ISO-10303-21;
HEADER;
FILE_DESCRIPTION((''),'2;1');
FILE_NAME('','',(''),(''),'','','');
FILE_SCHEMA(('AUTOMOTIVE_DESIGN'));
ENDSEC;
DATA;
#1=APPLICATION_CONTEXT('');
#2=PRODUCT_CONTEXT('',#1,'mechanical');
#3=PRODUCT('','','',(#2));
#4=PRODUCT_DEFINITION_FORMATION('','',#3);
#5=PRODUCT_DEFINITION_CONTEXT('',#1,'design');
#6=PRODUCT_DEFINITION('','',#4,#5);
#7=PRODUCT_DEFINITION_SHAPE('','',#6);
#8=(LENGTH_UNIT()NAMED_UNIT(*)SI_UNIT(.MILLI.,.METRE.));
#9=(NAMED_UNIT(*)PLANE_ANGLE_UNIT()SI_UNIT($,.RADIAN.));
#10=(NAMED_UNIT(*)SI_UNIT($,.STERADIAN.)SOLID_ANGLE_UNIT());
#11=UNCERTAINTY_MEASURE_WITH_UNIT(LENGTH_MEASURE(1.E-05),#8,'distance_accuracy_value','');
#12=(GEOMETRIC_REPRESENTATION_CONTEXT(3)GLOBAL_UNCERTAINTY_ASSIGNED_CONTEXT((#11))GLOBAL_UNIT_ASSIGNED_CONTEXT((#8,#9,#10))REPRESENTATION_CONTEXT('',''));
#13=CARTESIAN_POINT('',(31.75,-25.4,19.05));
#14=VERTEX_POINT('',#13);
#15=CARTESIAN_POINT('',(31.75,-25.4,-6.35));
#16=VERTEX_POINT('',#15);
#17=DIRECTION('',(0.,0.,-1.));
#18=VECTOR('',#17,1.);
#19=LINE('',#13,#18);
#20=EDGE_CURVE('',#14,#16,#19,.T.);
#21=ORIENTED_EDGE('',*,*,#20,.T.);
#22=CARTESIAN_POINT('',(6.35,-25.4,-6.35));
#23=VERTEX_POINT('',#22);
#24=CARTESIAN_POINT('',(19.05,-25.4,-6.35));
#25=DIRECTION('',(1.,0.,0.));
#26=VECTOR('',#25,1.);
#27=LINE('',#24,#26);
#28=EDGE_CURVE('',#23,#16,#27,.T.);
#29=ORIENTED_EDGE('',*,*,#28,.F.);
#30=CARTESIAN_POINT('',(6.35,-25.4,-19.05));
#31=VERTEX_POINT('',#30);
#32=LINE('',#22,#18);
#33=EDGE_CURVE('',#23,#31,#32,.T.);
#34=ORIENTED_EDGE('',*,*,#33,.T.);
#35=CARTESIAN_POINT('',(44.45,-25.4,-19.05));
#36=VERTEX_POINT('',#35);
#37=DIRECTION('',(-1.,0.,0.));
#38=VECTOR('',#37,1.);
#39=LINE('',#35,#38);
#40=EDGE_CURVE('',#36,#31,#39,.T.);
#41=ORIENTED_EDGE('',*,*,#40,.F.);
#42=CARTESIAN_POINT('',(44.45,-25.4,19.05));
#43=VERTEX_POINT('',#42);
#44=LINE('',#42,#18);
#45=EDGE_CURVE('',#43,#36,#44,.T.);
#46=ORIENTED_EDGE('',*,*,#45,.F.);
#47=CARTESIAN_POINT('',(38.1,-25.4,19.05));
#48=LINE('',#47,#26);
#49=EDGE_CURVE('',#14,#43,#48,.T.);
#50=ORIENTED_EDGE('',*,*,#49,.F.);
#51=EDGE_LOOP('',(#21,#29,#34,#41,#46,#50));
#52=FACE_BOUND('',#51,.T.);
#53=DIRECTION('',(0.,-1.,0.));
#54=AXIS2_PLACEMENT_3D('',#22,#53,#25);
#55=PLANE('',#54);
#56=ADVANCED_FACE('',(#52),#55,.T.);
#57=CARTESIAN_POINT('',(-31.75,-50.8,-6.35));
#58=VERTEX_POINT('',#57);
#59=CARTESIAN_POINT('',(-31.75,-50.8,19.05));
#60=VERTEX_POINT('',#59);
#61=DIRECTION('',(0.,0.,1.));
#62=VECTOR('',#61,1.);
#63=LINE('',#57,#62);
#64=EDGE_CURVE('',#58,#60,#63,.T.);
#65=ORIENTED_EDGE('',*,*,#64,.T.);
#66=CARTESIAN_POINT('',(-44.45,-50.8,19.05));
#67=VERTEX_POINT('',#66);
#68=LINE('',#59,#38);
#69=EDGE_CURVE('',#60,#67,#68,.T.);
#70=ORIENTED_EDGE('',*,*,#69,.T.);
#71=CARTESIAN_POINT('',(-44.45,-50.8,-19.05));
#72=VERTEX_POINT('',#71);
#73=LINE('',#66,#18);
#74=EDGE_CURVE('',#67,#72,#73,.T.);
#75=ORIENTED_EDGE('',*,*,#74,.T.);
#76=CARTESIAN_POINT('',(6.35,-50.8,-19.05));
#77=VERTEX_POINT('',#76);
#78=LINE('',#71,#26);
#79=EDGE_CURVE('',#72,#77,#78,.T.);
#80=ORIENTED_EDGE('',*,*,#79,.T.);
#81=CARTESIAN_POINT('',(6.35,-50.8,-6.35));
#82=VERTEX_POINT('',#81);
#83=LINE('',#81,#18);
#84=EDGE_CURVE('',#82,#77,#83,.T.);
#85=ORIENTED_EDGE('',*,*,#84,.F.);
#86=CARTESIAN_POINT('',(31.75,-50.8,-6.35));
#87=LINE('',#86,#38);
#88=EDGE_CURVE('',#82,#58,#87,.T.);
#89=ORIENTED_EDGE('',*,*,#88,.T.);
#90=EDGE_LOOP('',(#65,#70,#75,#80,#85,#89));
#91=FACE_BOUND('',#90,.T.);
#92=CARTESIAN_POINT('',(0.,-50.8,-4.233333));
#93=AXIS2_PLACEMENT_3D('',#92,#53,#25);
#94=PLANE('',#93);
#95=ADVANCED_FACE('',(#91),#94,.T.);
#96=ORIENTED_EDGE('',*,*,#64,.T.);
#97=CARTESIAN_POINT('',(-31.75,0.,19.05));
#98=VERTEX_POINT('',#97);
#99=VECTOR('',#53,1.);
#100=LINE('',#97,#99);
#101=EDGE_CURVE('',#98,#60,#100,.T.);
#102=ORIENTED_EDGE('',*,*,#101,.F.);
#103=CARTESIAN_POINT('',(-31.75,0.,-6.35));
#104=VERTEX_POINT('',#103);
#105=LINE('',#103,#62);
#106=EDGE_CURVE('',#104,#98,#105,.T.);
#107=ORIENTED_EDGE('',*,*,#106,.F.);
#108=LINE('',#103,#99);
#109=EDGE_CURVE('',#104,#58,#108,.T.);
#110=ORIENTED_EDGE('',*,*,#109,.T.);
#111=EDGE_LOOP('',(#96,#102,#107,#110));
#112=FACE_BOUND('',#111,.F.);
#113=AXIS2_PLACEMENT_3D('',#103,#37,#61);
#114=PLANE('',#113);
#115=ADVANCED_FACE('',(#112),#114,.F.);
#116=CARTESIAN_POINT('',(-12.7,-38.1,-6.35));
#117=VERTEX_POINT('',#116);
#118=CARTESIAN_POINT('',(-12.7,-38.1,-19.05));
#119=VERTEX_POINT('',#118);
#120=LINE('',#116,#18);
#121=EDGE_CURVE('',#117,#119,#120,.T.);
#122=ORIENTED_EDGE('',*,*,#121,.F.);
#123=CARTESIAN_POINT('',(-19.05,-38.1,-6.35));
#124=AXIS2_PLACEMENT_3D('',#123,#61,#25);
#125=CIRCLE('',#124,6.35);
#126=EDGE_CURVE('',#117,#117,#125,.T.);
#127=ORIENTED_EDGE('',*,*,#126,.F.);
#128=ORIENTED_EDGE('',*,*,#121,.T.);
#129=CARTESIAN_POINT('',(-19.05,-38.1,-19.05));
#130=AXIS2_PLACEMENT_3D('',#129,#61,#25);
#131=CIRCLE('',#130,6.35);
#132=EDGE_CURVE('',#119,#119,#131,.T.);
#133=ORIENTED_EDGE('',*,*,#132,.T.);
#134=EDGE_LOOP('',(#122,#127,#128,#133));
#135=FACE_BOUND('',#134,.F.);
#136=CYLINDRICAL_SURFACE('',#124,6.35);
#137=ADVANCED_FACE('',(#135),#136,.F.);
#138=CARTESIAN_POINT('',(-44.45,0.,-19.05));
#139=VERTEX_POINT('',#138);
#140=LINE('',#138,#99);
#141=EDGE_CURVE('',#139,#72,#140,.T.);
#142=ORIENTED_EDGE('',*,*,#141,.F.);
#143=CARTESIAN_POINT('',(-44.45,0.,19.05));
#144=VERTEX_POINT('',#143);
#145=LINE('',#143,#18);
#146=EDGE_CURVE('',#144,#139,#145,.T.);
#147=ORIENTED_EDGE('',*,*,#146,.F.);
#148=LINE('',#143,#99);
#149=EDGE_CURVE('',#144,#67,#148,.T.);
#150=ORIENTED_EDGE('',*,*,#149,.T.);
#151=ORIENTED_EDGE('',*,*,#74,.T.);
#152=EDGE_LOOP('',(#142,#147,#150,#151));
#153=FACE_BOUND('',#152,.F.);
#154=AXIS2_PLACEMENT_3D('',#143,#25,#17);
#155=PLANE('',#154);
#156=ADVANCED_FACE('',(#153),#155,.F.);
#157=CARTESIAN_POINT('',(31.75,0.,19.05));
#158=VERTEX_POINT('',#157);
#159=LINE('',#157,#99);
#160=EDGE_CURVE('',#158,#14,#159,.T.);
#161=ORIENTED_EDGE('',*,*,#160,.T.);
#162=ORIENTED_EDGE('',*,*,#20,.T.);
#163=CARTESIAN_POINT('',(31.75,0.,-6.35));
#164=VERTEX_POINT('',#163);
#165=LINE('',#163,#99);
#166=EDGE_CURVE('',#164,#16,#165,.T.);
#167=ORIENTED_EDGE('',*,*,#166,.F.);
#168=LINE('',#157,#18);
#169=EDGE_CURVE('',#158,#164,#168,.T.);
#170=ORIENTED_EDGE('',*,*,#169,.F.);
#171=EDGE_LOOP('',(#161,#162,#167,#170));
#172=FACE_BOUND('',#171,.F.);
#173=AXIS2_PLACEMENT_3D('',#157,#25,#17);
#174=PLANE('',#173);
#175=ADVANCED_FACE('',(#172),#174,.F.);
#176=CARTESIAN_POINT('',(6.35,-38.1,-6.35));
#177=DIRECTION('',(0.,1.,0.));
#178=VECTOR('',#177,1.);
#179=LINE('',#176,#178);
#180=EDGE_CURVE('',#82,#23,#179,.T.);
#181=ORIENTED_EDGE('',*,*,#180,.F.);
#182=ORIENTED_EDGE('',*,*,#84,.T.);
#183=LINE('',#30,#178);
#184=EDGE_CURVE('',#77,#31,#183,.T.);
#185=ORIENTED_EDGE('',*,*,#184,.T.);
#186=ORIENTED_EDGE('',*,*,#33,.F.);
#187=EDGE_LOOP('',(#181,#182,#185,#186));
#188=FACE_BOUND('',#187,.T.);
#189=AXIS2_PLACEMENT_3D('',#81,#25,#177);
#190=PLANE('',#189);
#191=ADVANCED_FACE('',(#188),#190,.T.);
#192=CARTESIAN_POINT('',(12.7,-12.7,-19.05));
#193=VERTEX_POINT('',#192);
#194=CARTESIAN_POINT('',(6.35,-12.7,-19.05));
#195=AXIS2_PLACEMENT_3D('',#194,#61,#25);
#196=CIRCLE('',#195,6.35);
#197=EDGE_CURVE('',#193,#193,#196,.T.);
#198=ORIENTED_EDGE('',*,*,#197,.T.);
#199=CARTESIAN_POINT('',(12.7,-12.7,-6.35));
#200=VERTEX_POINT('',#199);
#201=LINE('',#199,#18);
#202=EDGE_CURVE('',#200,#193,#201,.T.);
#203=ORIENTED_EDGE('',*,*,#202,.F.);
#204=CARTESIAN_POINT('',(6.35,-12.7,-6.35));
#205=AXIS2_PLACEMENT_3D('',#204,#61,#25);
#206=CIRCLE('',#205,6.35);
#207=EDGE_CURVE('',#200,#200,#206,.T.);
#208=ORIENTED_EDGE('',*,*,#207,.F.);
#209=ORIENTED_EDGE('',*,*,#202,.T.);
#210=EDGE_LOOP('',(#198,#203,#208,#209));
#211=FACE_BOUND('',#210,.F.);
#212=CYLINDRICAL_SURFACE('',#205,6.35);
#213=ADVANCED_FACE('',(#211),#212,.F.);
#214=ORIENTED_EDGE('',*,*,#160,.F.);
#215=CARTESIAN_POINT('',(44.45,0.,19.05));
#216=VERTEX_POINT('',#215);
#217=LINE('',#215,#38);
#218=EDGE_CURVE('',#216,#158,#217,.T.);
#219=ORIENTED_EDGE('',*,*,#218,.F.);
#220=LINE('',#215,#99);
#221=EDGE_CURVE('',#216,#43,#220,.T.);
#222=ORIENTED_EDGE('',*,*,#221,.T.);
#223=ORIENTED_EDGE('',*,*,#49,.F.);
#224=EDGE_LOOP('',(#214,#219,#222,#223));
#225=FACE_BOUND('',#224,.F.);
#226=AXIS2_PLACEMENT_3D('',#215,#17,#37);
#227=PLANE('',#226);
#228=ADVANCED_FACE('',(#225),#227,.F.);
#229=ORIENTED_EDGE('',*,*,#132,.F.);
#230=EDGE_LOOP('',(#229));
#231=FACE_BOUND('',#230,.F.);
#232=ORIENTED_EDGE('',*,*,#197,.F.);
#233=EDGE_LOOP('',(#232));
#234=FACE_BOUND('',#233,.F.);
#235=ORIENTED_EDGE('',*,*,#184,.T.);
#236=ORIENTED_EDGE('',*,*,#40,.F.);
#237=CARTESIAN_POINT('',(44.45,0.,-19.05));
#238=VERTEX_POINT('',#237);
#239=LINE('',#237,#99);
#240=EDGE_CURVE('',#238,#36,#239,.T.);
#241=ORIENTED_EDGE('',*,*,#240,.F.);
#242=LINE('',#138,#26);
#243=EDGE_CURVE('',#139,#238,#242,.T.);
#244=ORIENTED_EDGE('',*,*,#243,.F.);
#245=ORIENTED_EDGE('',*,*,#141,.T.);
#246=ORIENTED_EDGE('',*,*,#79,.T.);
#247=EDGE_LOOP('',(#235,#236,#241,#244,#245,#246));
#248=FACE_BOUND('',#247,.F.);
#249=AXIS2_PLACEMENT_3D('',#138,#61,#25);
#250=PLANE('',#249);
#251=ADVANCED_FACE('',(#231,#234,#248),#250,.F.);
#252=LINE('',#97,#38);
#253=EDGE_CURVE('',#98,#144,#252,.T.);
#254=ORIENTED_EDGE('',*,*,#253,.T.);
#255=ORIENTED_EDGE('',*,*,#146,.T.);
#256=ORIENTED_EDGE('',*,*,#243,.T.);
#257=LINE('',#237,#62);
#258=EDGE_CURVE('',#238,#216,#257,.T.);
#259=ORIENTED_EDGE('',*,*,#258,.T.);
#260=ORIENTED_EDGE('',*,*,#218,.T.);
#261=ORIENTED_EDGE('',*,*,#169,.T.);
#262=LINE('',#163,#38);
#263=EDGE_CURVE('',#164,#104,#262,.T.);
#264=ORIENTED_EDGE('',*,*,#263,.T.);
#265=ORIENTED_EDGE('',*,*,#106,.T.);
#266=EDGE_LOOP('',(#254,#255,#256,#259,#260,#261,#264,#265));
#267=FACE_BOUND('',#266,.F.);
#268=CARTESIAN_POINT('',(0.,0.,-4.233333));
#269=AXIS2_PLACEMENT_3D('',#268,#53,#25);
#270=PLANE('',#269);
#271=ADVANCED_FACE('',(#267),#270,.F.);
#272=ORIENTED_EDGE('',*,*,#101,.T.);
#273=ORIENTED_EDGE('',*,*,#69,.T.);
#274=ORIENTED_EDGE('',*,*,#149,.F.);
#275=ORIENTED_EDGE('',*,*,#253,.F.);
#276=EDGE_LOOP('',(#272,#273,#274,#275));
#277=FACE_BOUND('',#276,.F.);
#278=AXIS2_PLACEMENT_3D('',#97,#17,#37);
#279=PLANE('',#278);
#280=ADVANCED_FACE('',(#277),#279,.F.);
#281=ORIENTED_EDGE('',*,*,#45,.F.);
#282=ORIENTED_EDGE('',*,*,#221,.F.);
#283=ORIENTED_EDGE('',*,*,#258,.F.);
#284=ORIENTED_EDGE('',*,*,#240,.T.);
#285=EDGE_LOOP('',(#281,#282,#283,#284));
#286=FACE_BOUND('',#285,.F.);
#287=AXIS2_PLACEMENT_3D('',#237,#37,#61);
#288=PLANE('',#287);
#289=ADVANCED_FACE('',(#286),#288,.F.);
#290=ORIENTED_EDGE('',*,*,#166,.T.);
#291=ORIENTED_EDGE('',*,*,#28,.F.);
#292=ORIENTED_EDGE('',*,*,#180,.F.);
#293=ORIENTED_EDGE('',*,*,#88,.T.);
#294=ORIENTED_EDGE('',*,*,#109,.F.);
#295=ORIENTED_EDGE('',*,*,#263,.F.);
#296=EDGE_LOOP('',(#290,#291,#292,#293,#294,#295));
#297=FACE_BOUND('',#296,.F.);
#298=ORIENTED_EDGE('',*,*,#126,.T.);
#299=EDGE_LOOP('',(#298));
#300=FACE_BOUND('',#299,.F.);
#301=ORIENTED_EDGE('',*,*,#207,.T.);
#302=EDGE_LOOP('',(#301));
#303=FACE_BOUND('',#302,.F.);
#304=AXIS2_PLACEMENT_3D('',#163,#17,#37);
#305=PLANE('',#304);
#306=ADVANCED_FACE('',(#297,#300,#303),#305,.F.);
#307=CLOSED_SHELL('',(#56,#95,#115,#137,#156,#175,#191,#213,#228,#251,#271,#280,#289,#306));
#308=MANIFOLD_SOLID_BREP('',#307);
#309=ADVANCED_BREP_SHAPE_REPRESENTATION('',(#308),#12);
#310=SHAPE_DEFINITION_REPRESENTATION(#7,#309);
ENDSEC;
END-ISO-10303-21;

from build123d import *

# Parameters (mm, degrees)
F1_DEPTH = 50.8
F2_W     = 25.4
F2_H     = 25.4
F3_DEPTH = 12.701
F4_W     = 12.7
F4_H     = 25.4
F5_DEPTH = 38.101
F6_R     = 6.35
F7_DEPTH = 12.701
F8_R     = 6.35
F9_DEPTH = 12.701


with BuildPart() as f1:
    # F0 (on Front) → F1 (new body)
    with BuildSketch(Plane.XZ):
        Polygon((-31.75, 19.05), (-44.45, 19.05), (-44.45, -19.05), (44.45, -19.05), (44.45, 19.05), (31.75, 19.05), (31.75, -6.35), (-31.75, -6.35), align=None)
    extrude(amount=F1_DEPTH)

    # F2 (on face) → F3 (cut, through all)
    with BuildSketch(Plane.XY.offset(-6.35)):
        with Locations((19.05, -38.1)):
            Rectangle(F2_W, F2_H)
    extrude(amount=-F3_DEPTH, mode=Mode.SUBTRACT)

    # F4 (on face) → F5 (cut, through all)
    with BuildSketch(Plane.XY.offset(19.05)):
        with Locations((38.1, -38.1)):
            Rectangle(F4_W, F4_H)
    extrude(amount=-F5_DEPTH, mode=Mode.SUBTRACT)

    # F6 (on face) → F7 (cut, through all)
    with BuildSketch(Plane.XY.offset(-6.35)):
        with Locations((6.35, -12.7)):
            Circle(F6_R)
    extrude(amount=-F7_DEPTH, mode=Mode.SUBTRACT)

    # F8 (on face) → F9 (cut, through all)
    with BuildSketch(Plane.XY.offset(-6.35)):
        with Locations((-19.05, -38.1)):
            Circle(F8_R)
    extrude(amount=-F9_DEPTH, mode=Mode.SUBTRACT)


solid = f1.part
